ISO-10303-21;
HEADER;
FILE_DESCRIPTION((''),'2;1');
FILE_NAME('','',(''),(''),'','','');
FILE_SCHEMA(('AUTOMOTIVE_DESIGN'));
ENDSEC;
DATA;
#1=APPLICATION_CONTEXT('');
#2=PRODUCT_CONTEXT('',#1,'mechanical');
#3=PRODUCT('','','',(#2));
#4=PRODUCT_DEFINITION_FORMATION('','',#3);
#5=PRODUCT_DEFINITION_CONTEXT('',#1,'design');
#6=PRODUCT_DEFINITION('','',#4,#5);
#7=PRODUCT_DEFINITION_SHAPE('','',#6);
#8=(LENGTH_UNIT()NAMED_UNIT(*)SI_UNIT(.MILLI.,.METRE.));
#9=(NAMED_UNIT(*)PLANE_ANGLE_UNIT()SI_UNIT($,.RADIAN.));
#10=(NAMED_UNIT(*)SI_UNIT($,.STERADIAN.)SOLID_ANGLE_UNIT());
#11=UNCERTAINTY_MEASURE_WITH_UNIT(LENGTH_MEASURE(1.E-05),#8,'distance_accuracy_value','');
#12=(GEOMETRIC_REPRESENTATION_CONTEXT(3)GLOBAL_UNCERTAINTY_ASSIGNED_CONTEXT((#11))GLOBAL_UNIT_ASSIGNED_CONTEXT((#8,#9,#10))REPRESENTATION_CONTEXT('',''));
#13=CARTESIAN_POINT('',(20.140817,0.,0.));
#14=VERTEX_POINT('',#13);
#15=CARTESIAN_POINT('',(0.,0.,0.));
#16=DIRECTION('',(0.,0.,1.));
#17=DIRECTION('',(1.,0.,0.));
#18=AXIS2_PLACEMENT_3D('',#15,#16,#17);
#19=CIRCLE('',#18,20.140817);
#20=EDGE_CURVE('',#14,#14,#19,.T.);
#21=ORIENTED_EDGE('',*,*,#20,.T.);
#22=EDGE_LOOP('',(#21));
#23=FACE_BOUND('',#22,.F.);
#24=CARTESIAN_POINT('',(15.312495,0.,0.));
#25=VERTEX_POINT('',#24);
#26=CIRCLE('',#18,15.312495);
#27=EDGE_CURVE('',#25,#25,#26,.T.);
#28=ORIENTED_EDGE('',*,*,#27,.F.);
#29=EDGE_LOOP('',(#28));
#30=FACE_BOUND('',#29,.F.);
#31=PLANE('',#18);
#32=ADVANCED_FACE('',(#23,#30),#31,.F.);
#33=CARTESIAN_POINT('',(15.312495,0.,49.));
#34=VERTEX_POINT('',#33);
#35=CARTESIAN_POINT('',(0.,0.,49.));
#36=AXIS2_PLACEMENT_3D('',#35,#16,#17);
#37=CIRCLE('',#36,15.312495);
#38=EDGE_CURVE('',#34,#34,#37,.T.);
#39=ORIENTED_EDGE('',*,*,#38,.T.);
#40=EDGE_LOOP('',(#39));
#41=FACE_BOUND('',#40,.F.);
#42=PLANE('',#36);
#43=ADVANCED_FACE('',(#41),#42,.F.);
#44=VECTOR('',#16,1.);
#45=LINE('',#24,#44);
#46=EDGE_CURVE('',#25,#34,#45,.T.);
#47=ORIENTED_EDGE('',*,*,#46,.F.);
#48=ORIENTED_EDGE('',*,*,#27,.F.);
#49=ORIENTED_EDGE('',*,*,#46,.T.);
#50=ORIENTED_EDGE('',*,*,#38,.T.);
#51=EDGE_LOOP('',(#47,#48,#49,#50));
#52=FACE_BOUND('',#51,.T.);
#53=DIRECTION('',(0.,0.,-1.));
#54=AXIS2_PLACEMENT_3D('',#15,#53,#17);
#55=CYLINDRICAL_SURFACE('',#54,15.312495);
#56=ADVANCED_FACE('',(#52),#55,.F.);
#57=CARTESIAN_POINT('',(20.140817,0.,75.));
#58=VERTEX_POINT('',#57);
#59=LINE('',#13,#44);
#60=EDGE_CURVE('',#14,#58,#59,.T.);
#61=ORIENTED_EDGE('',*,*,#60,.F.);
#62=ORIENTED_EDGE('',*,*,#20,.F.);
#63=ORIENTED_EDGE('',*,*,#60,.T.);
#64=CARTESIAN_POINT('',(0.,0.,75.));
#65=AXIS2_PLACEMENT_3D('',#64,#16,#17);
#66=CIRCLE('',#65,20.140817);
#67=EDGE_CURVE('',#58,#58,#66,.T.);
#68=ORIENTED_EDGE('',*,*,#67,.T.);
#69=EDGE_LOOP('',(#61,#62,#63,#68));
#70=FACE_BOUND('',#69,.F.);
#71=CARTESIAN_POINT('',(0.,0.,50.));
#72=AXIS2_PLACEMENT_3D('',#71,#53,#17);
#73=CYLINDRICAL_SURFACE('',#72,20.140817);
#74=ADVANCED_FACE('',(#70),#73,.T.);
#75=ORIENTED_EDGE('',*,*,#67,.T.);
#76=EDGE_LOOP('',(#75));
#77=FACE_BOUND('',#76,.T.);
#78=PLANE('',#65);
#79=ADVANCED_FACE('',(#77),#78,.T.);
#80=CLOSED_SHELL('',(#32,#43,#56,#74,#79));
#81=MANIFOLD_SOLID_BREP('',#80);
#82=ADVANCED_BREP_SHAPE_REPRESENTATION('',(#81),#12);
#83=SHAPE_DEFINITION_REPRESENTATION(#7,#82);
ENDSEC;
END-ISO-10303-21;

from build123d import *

# Parameters (mm, degrees)
F0_R      = 20.140817
F1_DEPTH  = 50
F2_R      = 15.312495
F3_DEPTH  = 49
F1_FACE_R = 20.140817
F4_DEPTH  = 25


with BuildPart() as f1:
    # F0 (on Top) → F1 (new body)
    with BuildSketch(Plane.XY):
        Circle(F0_R)
    extrude(amount=F1_DEPTH)

    # F2 (on Top) → F3 (cut)
    with BuildSketch(Plane.XY):
        Circle(F2_R)
    extrude(amount=F3_DEPTH, mode=Mode.SUBTRACT)

    # F1_face (on face) → F4 (join)
    with BuildSketch(Plane.XY.offset(50)):
        Circle(F1_FACE_R)
    extrude(amount=F4_DEPTH)


solid = f1.part
